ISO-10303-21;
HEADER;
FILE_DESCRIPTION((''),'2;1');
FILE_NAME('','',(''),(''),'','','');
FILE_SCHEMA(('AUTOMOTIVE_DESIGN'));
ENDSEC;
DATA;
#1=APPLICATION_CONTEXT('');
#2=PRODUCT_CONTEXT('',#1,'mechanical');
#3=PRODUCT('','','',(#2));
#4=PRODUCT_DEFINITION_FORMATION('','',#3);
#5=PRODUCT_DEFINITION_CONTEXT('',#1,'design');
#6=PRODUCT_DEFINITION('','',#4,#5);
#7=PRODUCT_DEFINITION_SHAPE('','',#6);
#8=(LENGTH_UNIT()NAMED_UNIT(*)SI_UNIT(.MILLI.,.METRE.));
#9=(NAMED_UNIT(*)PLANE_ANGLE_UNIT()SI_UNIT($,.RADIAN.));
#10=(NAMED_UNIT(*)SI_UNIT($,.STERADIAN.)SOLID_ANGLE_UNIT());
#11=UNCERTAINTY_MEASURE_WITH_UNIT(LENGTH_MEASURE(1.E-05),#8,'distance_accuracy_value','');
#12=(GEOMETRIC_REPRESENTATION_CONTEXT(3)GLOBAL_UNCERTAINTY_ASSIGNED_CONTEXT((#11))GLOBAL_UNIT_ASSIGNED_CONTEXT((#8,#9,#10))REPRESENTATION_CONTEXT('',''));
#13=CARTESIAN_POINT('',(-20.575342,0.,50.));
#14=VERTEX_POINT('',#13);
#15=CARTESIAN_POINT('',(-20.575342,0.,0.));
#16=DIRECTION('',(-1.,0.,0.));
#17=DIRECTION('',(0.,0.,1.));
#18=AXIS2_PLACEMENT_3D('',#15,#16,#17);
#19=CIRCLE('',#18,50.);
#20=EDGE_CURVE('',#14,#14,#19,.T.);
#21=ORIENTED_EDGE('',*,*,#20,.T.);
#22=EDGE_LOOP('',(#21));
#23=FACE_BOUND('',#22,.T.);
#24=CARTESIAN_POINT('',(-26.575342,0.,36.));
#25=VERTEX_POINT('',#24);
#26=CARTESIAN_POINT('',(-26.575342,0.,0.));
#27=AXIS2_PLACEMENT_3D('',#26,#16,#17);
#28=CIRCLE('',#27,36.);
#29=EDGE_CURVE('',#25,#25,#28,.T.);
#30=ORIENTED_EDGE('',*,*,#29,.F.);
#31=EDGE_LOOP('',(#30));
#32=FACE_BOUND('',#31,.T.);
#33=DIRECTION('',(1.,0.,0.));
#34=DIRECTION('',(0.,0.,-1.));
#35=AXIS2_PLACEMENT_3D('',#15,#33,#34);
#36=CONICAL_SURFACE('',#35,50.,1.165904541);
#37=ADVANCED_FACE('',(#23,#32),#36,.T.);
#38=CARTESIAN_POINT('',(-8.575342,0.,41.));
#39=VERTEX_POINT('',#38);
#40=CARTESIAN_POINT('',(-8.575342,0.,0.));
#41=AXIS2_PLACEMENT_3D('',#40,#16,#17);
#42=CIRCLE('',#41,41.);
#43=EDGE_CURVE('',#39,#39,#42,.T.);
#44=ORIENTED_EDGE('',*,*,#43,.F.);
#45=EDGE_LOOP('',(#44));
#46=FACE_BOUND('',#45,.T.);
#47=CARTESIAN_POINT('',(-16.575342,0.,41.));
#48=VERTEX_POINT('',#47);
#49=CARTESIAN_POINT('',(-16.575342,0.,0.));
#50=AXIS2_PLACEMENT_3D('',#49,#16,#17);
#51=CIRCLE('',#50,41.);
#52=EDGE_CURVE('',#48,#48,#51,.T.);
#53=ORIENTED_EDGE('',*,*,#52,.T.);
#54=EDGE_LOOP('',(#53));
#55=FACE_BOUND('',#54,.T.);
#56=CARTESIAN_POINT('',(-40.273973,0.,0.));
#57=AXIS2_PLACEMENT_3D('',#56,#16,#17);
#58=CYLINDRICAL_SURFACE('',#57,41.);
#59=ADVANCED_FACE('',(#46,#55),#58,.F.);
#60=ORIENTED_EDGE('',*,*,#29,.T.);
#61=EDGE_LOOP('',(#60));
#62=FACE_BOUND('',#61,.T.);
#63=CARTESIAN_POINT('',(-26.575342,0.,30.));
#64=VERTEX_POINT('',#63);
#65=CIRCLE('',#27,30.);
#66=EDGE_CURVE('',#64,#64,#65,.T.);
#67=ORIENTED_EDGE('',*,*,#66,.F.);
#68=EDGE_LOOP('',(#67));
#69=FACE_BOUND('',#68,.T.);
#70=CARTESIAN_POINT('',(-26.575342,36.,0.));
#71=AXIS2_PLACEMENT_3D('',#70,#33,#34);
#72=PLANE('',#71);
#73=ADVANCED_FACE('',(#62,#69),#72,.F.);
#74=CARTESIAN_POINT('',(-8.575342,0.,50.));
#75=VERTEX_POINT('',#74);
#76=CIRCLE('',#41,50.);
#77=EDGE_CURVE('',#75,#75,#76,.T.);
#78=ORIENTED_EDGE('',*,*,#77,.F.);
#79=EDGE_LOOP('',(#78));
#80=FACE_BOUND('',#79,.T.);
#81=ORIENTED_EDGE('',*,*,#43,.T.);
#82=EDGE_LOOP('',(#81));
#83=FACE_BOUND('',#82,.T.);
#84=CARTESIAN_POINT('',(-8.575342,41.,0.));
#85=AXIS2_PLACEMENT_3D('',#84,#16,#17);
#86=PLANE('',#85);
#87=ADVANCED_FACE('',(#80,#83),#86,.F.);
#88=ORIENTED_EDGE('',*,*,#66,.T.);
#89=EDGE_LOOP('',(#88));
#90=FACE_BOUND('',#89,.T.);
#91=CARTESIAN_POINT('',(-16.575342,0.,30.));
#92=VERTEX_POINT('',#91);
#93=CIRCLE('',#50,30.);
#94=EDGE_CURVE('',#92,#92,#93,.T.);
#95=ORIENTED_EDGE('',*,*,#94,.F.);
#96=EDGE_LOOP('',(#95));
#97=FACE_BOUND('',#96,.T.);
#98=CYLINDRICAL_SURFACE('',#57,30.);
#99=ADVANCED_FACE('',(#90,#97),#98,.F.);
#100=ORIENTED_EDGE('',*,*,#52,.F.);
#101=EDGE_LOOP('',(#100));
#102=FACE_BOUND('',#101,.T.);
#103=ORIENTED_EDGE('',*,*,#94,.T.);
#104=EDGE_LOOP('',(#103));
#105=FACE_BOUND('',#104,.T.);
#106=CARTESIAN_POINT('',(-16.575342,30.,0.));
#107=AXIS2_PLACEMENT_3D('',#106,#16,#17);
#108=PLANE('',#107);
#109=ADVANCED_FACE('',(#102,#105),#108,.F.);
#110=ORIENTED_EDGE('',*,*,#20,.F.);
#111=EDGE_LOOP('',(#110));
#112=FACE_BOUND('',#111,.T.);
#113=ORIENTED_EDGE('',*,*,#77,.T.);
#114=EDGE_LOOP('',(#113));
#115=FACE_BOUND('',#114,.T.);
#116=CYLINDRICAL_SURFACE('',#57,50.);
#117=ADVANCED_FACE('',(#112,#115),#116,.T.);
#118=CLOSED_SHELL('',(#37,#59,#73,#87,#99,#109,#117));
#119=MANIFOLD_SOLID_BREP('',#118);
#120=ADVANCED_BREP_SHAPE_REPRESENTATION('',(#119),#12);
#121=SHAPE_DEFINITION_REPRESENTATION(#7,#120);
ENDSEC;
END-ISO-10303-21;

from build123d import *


with BuildPart() as part:
    # Sketch1 → Revolve1 (revolve)
    with BuildSketch(Plane.XY, mode=Mode.PRIVATE) as revolve1_sk:
        Polygon((-26.575342466, 30), (-16.575342466, 30), (-16.575342466, 41), (-8.575342466, 41), (-8.575342466, 50), (-20.575342466, 50), (-26.575342466, 36), align=None)
    revolve(revolve1_sk.sketch.rotate(Axis((-40.273972603, 0, 0), (1, 0, 0)), 90), axis=Axis((-40.273972603, 0, 0), (1, 0, 0)))


solid = part.part
